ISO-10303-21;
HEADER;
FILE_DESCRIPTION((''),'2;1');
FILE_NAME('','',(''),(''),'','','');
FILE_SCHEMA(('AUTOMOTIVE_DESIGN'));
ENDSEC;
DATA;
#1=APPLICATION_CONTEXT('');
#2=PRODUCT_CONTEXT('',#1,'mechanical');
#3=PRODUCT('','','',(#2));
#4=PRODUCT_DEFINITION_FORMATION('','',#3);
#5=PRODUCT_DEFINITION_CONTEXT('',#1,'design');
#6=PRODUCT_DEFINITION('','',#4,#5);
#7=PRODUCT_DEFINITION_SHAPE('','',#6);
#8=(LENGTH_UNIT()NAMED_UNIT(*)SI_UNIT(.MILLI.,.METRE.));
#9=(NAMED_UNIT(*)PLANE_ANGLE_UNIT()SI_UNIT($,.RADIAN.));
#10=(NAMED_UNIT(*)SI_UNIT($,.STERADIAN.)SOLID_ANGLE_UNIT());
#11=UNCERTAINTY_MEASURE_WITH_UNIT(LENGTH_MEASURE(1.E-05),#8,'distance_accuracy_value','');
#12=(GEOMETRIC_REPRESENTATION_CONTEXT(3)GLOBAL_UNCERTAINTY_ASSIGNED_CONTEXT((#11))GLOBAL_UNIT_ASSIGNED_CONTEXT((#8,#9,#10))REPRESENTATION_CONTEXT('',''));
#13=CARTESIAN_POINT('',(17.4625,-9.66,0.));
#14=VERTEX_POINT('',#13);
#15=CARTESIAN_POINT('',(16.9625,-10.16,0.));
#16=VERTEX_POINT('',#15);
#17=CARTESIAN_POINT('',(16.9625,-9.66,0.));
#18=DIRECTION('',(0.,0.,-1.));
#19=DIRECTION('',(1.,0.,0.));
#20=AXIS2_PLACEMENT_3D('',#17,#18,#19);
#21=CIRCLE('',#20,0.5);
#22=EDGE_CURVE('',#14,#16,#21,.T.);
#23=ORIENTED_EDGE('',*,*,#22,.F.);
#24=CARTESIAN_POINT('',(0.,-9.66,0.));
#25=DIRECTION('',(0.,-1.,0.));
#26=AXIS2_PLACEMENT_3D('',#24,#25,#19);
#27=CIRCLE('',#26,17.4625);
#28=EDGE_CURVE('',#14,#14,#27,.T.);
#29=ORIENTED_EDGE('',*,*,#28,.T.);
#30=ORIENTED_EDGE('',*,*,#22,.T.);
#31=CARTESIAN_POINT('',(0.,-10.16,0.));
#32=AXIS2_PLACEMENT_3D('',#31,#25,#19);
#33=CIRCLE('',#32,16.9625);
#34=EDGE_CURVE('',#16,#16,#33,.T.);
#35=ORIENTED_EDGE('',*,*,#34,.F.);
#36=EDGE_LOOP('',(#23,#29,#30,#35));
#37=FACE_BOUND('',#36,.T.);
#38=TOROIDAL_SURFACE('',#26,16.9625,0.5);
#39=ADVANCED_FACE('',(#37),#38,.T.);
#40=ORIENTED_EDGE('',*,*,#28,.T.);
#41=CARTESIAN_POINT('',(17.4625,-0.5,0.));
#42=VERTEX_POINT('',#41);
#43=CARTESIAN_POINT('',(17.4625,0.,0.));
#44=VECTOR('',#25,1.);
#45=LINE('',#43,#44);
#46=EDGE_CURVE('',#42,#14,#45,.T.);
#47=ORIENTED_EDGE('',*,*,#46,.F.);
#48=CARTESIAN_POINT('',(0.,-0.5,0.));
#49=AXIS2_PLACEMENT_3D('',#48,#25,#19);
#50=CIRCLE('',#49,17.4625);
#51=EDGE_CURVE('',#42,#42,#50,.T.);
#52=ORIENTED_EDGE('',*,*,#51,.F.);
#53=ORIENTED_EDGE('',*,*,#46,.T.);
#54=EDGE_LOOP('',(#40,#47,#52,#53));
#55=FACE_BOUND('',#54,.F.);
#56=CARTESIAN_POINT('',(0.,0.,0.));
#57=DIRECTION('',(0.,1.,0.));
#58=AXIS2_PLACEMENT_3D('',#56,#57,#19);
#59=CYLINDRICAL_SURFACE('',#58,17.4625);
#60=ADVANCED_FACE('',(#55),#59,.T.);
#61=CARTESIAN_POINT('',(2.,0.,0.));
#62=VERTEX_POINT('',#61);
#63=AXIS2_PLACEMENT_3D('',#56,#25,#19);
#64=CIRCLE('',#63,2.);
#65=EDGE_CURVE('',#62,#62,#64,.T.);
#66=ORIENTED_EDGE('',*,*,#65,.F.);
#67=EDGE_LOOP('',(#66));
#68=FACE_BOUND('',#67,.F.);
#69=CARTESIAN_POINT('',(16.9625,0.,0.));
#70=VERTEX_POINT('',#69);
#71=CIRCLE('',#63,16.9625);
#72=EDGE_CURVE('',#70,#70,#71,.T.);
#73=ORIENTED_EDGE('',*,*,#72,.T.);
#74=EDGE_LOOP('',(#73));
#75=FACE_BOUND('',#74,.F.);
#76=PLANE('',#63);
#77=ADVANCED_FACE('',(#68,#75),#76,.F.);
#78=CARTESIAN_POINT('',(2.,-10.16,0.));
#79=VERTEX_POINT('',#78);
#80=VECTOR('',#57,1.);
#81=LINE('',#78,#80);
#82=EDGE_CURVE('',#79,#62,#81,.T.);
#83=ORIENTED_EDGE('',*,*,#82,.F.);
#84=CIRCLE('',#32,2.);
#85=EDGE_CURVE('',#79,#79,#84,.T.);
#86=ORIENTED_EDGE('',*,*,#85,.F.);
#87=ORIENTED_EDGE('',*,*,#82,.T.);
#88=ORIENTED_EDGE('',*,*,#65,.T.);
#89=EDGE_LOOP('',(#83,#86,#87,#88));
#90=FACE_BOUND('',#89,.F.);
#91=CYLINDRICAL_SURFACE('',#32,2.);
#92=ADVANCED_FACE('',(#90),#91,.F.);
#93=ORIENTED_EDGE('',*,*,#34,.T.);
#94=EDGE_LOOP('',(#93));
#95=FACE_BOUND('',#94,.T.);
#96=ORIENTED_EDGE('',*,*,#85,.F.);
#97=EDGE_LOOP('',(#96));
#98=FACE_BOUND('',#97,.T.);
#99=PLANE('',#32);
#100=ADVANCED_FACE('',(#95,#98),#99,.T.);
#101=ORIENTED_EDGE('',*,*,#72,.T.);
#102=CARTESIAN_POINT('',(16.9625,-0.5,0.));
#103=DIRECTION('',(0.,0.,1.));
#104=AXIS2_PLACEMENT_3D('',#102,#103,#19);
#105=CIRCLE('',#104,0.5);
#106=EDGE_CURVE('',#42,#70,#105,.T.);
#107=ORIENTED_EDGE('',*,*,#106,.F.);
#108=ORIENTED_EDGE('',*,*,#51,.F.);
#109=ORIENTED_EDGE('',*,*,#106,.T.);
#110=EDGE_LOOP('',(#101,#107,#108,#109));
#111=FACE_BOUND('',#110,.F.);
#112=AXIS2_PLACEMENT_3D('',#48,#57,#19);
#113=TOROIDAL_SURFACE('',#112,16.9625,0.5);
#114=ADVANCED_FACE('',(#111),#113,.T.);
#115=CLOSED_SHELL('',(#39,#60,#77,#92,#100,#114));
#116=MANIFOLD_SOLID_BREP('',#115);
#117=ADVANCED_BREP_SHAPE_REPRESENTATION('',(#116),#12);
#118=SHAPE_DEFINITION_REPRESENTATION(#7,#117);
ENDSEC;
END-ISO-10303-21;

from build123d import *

# Parameters (mm, degrees)
F0_R     = 17.4625
F1_DEPTH = 10.16
F2_R     = 2
F3_DEPTH = 25.4
F4_R     = 0.5


with BuildPart() as f1:
    # F0 (on Front) → F1 (new body)
    with BuildSketch(Plane.XZ):
        Circle(F0_R)
    extrude(amount=F1_DEPTH)

    # F2 (on face) → F3 (cut)
    with BuildSketch(Plane.XZ.offset(10.16)):
        Circle(F2_R)
    extrude(amount=-F3_DEPTH, mode=Mode.SUBTRACT)

    # F4
    f4_edges = [f1.edges().sort_by_distance(p)[0] for p in [
        (-17.4625, -10.16, 0),
        (-17.4625, 0, 0),
    ]]
    fillet(f4_edges, radius=F4_R)


solid = f1.part
